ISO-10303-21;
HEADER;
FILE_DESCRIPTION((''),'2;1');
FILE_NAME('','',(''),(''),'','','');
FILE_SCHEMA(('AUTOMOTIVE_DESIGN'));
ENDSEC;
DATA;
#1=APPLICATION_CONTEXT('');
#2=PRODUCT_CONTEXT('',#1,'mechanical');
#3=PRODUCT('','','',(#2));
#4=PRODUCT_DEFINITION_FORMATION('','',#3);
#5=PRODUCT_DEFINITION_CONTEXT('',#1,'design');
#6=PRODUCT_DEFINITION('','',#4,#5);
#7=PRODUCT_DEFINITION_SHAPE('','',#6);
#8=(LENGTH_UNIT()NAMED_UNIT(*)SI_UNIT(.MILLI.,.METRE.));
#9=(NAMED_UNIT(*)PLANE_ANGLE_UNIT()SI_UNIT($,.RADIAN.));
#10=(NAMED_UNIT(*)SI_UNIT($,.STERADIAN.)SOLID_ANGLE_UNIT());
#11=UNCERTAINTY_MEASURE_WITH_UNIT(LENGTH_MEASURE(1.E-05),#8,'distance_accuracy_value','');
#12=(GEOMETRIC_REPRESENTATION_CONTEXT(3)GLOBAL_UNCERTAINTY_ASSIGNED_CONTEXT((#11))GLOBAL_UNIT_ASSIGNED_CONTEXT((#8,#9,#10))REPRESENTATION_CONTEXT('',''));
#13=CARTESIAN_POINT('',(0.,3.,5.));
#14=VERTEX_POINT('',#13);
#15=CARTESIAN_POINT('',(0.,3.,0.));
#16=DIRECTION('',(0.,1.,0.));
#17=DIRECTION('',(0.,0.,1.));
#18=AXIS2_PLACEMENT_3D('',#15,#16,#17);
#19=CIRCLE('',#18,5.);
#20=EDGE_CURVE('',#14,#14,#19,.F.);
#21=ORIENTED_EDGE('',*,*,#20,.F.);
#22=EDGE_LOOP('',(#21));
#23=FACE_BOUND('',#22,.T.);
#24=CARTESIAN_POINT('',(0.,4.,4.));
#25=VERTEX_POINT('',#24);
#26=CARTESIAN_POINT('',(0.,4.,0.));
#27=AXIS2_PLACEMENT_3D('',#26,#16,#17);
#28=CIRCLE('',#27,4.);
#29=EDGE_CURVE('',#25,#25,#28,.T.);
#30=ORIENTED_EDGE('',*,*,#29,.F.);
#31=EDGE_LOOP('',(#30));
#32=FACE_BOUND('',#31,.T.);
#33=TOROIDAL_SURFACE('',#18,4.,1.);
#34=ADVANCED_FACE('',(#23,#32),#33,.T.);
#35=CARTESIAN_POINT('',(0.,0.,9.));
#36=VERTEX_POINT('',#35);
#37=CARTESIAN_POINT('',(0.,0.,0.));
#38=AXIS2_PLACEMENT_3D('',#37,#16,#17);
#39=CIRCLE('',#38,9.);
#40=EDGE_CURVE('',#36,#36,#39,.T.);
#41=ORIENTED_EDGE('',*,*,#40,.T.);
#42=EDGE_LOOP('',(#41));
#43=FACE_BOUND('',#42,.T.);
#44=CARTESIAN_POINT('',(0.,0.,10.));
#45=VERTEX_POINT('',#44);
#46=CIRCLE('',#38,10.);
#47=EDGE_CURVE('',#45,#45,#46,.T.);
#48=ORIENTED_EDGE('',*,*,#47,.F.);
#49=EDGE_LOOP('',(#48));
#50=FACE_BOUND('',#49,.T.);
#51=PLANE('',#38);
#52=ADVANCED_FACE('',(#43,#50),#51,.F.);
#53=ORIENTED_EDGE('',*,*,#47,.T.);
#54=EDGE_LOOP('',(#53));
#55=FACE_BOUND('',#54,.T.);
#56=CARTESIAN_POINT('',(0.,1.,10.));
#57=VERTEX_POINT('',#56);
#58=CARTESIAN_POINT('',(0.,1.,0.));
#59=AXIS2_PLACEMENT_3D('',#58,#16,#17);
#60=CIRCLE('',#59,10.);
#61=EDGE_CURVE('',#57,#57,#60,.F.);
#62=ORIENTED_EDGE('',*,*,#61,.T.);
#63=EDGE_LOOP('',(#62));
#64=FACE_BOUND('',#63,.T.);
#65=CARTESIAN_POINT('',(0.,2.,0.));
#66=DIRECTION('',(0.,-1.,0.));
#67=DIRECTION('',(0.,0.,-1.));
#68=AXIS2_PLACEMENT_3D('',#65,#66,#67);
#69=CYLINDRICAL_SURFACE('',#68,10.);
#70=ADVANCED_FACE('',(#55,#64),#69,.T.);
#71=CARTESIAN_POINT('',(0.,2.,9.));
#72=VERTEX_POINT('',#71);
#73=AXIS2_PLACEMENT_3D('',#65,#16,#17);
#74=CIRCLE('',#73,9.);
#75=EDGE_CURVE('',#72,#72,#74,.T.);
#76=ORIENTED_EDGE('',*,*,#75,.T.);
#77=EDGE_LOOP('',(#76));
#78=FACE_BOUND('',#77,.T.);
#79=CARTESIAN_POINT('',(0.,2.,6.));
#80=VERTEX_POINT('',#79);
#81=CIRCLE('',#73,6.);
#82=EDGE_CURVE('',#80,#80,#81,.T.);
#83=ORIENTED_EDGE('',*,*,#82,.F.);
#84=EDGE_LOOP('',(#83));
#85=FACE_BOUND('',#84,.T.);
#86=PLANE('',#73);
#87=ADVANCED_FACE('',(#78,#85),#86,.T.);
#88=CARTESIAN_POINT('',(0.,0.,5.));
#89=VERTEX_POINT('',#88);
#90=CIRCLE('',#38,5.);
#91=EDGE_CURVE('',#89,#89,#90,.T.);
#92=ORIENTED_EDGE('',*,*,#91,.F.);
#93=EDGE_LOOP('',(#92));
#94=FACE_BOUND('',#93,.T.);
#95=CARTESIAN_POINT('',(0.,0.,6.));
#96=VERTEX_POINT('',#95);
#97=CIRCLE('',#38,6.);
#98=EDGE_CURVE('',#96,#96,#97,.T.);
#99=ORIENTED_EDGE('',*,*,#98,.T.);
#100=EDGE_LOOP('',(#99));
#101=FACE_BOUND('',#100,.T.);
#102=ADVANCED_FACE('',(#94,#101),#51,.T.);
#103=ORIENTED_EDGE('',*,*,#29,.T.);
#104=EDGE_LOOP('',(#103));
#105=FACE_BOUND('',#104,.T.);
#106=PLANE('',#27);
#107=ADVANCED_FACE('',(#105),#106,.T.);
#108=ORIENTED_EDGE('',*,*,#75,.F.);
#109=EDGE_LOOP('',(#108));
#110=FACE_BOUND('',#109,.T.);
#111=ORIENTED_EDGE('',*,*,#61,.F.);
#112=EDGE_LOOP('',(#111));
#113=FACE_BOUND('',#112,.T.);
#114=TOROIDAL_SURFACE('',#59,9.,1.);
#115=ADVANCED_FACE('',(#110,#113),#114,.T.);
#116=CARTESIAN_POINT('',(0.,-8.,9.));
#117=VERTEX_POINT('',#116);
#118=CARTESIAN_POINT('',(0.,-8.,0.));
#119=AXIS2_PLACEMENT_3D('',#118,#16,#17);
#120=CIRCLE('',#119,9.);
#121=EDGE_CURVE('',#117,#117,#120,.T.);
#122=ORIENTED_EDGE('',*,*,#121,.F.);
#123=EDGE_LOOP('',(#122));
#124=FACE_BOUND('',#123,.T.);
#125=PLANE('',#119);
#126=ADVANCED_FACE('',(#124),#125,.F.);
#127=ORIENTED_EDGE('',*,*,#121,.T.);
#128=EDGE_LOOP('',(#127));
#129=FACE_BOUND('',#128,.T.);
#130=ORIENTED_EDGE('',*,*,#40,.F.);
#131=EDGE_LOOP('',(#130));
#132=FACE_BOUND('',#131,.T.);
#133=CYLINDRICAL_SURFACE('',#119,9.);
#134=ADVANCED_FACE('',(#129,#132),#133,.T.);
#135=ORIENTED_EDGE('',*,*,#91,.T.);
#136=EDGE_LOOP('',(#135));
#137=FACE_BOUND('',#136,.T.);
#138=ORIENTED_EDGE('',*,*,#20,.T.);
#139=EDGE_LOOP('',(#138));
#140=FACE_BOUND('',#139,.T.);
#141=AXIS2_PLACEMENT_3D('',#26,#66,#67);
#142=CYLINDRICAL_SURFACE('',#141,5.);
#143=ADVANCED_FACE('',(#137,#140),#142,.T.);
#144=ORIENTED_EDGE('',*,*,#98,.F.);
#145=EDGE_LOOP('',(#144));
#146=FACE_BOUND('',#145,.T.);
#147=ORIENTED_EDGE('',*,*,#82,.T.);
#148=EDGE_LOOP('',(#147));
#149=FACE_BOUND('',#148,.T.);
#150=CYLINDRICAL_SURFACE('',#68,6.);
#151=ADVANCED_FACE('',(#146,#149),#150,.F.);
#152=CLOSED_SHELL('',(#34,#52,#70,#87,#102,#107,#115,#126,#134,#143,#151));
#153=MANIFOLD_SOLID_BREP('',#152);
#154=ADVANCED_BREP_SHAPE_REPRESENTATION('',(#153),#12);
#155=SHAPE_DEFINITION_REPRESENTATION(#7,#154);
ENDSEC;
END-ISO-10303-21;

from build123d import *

# Parameters (mm, degrees)
SKETCH1_R           = 10
SKETCH1_R_2         = 6
BOSS_EXTRUDE1_DEPTH = 2
SKETCH2_R           = 9
BOSS_EXTRUDE2_DEPTH = 8
SKETCH3_R           = 5
BOSS_EXTRUDE3_DEPTH = 4
FILLET1_R           = 1


with BuildPart() as part:
    # Sketch1 → Boss-Extrude1 (new body)
    with BuildSketch(Plane(origin=(0, 0, 0), x_dir=(1, 0, 0), z_dir=(0, 1, 0))):
        with Locations(Location((0, 0, 0), (0, 0, 270))):
            Circle(SKETCH1_R)
        with Locations(Location((0, 0, 0), (0, 0, 270))):
            Circle(SKETCH1_R_2, mode=Mode.SUBTRACT)
    extrude(amount=BOSS_EXTRUDE1_DEPTH)

    # Sketch2 → Boss-Extrude2 (add)
    with BuildSketch(Plane(origin=(0, 0, 0), x_dir=(1, 0, 0), z_dir=(0, 1, 0))):
        with Locations(Location((0, 0, 0), (0, 0, 270))):
            Circle(SKETCH2_R)
    extrude(amount=-BOSS_EXTRUDE2_DEPTH)

    # Sketch3 → Boss-Extrude3 (add)
    with BuildSketch(Plane(origin=(0, 0, 0), x_dir=(1, 0, 0), z_dir=(0, 1, 0))):
        with Locations(Location((0, 0, 0), (0, 0, 270))):
            Circle(SKETCH3_R)
    extrude(amount=BOSS_EXTRUDE3_DEPTH)

    # Fillet1
    fillet1_edges = [part.edges().sort_by_distance(p)[0] for p in [
        (0, 4, -5),
        (0, 2, -10),
    ]]
    fillet(fillet1_edges, radius=FILLET1_R)


solid = part.part
